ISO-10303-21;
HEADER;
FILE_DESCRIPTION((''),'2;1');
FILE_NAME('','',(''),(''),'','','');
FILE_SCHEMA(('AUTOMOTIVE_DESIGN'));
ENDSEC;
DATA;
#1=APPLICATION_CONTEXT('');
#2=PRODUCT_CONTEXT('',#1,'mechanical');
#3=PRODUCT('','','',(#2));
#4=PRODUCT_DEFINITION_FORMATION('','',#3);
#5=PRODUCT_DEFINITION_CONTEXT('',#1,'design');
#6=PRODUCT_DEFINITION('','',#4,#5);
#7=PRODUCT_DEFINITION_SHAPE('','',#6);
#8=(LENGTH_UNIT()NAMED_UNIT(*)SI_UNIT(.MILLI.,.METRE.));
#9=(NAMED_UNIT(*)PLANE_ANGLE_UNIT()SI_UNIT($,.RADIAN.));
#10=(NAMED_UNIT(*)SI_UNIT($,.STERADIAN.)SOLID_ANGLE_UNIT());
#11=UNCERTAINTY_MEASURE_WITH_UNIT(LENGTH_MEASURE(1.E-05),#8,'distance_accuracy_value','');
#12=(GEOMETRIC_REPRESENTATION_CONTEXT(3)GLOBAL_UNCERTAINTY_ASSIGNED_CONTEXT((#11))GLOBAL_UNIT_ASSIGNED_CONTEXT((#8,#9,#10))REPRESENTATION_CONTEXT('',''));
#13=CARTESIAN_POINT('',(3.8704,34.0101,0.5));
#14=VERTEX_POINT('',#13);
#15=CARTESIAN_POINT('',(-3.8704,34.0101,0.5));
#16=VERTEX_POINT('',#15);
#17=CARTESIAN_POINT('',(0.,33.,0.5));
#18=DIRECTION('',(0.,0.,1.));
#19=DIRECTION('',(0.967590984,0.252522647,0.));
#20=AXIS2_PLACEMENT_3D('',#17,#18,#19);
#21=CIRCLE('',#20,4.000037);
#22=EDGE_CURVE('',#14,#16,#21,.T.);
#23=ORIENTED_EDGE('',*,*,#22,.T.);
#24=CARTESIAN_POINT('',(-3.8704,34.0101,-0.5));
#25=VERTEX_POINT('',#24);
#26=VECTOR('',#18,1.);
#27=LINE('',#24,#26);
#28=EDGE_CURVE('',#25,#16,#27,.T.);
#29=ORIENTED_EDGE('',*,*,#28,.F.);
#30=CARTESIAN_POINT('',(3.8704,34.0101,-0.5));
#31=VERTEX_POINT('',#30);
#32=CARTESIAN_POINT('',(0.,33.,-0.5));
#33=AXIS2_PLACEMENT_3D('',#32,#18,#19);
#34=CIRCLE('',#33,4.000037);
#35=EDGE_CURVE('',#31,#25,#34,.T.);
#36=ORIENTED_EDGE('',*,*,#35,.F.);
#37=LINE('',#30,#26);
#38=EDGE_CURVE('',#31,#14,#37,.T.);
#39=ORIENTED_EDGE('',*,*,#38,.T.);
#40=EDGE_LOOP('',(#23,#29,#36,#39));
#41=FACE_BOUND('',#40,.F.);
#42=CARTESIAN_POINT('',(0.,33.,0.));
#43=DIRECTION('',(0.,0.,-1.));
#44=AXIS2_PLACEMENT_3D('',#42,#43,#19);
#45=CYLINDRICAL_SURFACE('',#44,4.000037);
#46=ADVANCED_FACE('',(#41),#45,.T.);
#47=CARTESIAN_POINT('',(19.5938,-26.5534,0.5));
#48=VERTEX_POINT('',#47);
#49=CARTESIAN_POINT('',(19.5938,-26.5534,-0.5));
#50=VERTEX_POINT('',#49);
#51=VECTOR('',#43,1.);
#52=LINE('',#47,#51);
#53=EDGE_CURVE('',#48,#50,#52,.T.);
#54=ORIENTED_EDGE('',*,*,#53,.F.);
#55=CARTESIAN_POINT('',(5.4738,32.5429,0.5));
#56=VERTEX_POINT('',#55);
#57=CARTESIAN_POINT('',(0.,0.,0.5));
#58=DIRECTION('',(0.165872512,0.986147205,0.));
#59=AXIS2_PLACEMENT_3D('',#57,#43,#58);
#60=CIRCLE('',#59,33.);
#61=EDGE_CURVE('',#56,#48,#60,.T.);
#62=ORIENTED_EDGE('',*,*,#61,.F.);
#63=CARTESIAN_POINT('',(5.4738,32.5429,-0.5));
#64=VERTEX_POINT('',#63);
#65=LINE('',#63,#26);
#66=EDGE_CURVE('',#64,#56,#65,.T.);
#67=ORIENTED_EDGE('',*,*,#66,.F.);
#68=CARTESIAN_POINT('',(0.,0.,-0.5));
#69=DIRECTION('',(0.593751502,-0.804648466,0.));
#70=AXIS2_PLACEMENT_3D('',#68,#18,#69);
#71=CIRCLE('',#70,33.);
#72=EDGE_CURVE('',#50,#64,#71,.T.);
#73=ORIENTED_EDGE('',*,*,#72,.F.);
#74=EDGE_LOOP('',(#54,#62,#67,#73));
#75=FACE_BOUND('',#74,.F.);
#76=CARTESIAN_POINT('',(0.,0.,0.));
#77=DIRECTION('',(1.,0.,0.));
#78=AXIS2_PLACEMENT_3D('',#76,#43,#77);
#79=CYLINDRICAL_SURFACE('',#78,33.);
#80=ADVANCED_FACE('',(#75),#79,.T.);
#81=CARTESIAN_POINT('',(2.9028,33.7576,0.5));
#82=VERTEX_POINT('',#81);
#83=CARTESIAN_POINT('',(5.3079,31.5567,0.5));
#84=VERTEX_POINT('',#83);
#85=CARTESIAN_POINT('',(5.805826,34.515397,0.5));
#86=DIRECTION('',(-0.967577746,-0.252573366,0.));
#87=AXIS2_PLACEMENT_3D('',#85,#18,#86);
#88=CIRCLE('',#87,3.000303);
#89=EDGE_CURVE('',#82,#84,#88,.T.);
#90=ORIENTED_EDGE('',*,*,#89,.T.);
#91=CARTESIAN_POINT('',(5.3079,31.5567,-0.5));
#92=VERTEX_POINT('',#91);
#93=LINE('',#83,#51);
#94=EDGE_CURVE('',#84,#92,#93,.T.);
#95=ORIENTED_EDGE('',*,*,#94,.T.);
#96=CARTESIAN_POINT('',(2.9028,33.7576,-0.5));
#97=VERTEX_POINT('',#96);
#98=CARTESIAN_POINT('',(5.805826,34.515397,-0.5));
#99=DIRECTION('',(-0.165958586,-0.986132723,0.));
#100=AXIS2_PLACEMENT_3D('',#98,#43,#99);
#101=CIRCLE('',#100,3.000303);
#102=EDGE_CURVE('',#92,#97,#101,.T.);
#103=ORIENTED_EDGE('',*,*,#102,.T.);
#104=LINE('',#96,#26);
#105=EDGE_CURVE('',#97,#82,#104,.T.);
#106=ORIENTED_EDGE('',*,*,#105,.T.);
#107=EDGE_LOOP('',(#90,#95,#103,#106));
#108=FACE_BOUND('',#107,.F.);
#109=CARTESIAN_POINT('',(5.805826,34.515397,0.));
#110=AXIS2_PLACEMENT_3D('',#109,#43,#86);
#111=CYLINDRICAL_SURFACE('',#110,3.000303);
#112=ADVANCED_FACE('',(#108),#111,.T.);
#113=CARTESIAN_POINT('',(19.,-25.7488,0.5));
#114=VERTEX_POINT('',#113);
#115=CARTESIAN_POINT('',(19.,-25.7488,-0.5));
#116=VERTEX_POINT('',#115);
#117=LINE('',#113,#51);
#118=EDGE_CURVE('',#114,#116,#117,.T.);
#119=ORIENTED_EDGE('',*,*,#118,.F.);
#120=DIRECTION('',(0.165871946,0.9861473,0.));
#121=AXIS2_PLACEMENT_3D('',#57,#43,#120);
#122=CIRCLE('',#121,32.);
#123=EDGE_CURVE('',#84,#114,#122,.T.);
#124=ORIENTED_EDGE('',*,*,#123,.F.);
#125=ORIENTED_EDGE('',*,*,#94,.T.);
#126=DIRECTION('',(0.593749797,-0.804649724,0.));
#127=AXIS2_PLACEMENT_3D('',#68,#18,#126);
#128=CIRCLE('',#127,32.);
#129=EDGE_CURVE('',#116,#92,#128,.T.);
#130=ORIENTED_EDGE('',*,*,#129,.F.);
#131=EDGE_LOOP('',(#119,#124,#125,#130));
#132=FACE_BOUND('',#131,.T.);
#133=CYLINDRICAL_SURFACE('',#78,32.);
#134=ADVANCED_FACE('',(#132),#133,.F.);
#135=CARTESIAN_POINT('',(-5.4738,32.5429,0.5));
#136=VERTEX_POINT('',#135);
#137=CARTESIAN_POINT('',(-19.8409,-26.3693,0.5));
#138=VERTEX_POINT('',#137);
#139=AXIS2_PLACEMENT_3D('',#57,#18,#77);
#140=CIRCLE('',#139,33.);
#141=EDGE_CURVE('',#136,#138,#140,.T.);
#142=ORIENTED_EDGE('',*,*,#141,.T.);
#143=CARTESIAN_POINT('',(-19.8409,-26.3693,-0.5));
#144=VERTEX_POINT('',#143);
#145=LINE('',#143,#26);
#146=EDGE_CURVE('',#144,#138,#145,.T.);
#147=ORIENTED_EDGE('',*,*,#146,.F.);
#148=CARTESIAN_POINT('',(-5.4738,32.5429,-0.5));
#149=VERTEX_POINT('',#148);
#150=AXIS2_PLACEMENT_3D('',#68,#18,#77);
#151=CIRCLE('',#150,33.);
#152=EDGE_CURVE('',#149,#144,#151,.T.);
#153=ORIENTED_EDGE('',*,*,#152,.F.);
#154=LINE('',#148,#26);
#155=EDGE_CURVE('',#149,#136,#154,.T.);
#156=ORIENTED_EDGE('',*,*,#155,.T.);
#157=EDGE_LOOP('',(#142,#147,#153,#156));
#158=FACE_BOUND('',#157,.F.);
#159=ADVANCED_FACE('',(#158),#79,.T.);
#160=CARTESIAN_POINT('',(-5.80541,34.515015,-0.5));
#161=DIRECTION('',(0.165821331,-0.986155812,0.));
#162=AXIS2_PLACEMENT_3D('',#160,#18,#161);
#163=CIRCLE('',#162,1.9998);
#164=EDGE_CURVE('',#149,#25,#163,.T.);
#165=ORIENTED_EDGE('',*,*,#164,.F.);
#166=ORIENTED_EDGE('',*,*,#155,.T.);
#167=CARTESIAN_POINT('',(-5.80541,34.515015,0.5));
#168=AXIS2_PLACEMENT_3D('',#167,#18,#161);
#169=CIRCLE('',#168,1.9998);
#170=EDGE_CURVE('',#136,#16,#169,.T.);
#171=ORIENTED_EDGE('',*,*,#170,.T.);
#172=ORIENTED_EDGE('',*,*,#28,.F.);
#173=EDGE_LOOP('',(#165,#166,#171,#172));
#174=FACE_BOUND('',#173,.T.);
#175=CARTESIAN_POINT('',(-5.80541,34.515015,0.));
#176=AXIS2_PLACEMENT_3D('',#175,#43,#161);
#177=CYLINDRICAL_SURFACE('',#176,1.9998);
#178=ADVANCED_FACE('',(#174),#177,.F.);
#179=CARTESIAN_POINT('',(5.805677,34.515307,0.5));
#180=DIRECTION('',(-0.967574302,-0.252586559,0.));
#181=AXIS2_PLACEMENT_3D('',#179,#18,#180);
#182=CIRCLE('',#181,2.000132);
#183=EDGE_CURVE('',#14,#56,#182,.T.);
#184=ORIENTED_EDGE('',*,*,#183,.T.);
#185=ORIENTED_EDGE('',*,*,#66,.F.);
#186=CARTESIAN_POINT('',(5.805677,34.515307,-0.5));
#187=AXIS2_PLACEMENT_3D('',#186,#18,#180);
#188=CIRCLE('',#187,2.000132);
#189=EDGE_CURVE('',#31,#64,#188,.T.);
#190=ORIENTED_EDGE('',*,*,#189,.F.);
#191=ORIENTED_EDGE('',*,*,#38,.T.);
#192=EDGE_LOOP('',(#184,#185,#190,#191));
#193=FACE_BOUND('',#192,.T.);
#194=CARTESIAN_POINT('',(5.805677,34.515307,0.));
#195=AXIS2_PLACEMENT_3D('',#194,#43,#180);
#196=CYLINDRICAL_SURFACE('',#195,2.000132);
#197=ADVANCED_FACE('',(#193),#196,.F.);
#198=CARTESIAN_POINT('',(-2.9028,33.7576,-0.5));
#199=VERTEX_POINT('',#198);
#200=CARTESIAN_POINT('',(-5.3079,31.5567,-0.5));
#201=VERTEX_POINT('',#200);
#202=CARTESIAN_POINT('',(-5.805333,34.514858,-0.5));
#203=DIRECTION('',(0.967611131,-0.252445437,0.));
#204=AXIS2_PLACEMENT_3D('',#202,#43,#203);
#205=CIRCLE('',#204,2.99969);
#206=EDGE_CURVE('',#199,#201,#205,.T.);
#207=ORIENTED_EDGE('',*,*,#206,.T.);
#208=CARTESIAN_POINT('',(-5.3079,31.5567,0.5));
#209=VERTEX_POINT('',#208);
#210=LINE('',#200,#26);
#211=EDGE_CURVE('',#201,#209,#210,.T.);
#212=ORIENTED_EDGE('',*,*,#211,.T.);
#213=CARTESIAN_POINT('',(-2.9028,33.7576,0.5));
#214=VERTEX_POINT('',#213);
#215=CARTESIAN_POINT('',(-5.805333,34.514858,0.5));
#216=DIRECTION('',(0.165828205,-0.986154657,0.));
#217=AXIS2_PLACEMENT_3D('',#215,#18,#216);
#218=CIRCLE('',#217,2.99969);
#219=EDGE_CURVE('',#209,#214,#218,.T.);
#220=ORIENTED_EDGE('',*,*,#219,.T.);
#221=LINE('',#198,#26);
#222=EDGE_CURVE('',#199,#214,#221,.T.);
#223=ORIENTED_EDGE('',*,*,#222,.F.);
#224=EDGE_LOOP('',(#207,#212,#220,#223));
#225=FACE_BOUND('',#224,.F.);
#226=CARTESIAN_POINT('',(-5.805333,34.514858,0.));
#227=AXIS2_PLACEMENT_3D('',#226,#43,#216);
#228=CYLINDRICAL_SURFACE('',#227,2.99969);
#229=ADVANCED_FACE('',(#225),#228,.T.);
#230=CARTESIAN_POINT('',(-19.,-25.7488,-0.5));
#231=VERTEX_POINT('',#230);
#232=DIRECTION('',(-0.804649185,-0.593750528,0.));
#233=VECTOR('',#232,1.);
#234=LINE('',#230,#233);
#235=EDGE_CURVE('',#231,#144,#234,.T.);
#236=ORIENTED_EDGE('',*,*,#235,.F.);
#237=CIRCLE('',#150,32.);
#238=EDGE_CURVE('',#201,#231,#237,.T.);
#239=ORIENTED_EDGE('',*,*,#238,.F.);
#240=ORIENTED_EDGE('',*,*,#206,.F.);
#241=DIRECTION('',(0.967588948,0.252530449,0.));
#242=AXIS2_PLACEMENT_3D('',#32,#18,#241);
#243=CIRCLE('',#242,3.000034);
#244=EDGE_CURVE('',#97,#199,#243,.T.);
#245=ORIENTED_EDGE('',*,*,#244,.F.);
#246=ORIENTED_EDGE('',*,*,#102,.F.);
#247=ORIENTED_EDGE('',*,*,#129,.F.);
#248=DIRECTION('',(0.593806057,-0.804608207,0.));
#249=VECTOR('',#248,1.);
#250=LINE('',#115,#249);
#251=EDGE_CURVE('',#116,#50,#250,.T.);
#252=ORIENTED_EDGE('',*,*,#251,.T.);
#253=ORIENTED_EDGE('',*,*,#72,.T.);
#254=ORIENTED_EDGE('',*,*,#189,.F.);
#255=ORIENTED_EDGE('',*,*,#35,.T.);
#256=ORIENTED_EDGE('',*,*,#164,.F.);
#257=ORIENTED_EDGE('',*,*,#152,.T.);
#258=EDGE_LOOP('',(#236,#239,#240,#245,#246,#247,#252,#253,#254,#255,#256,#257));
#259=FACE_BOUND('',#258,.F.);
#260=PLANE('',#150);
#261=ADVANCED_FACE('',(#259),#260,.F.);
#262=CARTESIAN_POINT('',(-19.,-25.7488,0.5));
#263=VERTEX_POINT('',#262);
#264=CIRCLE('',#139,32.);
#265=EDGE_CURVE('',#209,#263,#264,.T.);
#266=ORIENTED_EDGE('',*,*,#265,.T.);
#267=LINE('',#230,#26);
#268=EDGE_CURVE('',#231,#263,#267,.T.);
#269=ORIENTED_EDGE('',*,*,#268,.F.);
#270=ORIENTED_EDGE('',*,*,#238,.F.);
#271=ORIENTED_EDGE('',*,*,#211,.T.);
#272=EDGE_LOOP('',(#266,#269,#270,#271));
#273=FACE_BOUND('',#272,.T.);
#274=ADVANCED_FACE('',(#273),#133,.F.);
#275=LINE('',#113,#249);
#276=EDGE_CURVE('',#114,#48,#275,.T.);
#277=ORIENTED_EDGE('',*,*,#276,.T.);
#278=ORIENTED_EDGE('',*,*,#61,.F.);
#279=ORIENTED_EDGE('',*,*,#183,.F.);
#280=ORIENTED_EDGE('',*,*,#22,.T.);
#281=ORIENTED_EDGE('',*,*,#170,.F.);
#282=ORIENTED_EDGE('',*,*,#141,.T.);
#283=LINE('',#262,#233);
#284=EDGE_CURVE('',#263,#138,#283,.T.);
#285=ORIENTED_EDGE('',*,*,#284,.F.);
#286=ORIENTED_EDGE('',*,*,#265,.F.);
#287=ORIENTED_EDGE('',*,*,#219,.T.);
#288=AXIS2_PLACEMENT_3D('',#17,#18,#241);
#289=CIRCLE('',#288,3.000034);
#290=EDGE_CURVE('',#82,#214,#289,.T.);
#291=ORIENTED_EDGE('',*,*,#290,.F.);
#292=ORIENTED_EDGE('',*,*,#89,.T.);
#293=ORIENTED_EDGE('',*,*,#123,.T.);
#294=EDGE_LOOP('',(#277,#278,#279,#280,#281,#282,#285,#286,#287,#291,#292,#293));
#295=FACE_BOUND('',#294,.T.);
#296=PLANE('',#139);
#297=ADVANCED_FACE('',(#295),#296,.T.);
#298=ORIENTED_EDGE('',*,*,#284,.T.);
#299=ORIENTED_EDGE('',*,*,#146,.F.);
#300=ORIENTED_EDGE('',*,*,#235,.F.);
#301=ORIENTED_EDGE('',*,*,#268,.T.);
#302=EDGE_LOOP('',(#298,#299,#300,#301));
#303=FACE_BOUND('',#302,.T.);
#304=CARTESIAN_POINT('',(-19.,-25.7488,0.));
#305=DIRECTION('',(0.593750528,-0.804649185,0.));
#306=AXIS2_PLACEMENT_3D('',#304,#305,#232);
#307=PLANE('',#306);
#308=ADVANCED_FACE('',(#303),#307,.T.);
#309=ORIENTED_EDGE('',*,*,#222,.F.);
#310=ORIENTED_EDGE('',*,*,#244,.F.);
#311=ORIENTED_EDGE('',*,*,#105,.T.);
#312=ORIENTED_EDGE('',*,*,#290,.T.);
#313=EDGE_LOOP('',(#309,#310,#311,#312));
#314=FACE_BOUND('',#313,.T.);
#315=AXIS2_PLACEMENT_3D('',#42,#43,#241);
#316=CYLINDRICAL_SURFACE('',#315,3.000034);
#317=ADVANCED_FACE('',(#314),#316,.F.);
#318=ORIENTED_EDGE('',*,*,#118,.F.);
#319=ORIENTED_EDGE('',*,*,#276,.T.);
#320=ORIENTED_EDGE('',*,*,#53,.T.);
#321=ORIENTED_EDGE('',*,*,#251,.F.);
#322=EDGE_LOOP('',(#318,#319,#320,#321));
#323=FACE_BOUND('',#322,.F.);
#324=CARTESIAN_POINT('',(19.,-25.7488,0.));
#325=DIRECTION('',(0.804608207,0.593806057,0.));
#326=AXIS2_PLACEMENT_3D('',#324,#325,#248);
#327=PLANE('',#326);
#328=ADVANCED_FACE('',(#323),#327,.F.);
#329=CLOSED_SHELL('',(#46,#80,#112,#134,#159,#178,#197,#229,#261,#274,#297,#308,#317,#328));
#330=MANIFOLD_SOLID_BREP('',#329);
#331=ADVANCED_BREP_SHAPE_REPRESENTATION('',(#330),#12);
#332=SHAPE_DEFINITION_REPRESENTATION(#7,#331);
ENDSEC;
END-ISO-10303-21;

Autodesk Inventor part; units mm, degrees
ref_plane "YZ Plane" through (0, 0, 0) normal (1, 0, 0) x (0, 1, 0)
ref_plane "XZ Plane" through (0, 0, 0) normal (0, 1, 0) x (-1, 0, 0)
ref_plane "XY Plane" through (0, 0, 0) normal (0, 0, 1) x (1, 0, 0)
sketch "Эскиз1" plane through (0, 0, 0) normal (0, 0, 1) x (1, 0, 0)
  circle A0 centre (0, 0) radius 33
  circle A1 centre (0, 0) radius 32
  arc A2 (-5.4738, 32.5429) -> (-3.8704, 34.0101) centre (-5.8055, 34.5152) ccw
  arc A3 (3.8704, 34.0101) -> (-3.8704, 34.0101) centre (0, 33) ccw
  arc A4 (3.8704, 34.0101) -> (5.4738, 32.5429) centre (5.8055, 34.5152) ccw
  line L0 (-19, -25.7488) -> (19, -25.7488) construction
  line L1 (-19, -25.7488) -> (-19.8409, -26.3693)
  line L2 (19, -25.7488) -> (19.5938, -26.5534)
  arc A5 (-5.3079, 31.5567) -> (-2.9028, 33.7576) centre (-5.8055, 34.5152) ccw
  arc A6 (2.9028, 33.7576) -> (-2.9028, 33.7576) centre (0, 33) ccw
  arc A7 (2.9028, 33.7576) -> (5.3079, 31.5567) centre (5.8055, 34.5152) ccw
  point P0 (5.3079, 31.5567)
  point P1 (-5.3079, 31.5567)
  dimension "d0" = 66
  dimension "d1" = 64
  dimension "d2" = 4
  dimension "d4" = 2
  dimension "d5" = 38
extrude "Выдавливание1" add sketch "Эскиз1" along normal mid plane 1 contours A0 L2 A1 A7 | A0 A7 A6 A5 A2 A3 A4 | A0 A5 A1 L1
properties part number "69. Пружина синхронизатора"
